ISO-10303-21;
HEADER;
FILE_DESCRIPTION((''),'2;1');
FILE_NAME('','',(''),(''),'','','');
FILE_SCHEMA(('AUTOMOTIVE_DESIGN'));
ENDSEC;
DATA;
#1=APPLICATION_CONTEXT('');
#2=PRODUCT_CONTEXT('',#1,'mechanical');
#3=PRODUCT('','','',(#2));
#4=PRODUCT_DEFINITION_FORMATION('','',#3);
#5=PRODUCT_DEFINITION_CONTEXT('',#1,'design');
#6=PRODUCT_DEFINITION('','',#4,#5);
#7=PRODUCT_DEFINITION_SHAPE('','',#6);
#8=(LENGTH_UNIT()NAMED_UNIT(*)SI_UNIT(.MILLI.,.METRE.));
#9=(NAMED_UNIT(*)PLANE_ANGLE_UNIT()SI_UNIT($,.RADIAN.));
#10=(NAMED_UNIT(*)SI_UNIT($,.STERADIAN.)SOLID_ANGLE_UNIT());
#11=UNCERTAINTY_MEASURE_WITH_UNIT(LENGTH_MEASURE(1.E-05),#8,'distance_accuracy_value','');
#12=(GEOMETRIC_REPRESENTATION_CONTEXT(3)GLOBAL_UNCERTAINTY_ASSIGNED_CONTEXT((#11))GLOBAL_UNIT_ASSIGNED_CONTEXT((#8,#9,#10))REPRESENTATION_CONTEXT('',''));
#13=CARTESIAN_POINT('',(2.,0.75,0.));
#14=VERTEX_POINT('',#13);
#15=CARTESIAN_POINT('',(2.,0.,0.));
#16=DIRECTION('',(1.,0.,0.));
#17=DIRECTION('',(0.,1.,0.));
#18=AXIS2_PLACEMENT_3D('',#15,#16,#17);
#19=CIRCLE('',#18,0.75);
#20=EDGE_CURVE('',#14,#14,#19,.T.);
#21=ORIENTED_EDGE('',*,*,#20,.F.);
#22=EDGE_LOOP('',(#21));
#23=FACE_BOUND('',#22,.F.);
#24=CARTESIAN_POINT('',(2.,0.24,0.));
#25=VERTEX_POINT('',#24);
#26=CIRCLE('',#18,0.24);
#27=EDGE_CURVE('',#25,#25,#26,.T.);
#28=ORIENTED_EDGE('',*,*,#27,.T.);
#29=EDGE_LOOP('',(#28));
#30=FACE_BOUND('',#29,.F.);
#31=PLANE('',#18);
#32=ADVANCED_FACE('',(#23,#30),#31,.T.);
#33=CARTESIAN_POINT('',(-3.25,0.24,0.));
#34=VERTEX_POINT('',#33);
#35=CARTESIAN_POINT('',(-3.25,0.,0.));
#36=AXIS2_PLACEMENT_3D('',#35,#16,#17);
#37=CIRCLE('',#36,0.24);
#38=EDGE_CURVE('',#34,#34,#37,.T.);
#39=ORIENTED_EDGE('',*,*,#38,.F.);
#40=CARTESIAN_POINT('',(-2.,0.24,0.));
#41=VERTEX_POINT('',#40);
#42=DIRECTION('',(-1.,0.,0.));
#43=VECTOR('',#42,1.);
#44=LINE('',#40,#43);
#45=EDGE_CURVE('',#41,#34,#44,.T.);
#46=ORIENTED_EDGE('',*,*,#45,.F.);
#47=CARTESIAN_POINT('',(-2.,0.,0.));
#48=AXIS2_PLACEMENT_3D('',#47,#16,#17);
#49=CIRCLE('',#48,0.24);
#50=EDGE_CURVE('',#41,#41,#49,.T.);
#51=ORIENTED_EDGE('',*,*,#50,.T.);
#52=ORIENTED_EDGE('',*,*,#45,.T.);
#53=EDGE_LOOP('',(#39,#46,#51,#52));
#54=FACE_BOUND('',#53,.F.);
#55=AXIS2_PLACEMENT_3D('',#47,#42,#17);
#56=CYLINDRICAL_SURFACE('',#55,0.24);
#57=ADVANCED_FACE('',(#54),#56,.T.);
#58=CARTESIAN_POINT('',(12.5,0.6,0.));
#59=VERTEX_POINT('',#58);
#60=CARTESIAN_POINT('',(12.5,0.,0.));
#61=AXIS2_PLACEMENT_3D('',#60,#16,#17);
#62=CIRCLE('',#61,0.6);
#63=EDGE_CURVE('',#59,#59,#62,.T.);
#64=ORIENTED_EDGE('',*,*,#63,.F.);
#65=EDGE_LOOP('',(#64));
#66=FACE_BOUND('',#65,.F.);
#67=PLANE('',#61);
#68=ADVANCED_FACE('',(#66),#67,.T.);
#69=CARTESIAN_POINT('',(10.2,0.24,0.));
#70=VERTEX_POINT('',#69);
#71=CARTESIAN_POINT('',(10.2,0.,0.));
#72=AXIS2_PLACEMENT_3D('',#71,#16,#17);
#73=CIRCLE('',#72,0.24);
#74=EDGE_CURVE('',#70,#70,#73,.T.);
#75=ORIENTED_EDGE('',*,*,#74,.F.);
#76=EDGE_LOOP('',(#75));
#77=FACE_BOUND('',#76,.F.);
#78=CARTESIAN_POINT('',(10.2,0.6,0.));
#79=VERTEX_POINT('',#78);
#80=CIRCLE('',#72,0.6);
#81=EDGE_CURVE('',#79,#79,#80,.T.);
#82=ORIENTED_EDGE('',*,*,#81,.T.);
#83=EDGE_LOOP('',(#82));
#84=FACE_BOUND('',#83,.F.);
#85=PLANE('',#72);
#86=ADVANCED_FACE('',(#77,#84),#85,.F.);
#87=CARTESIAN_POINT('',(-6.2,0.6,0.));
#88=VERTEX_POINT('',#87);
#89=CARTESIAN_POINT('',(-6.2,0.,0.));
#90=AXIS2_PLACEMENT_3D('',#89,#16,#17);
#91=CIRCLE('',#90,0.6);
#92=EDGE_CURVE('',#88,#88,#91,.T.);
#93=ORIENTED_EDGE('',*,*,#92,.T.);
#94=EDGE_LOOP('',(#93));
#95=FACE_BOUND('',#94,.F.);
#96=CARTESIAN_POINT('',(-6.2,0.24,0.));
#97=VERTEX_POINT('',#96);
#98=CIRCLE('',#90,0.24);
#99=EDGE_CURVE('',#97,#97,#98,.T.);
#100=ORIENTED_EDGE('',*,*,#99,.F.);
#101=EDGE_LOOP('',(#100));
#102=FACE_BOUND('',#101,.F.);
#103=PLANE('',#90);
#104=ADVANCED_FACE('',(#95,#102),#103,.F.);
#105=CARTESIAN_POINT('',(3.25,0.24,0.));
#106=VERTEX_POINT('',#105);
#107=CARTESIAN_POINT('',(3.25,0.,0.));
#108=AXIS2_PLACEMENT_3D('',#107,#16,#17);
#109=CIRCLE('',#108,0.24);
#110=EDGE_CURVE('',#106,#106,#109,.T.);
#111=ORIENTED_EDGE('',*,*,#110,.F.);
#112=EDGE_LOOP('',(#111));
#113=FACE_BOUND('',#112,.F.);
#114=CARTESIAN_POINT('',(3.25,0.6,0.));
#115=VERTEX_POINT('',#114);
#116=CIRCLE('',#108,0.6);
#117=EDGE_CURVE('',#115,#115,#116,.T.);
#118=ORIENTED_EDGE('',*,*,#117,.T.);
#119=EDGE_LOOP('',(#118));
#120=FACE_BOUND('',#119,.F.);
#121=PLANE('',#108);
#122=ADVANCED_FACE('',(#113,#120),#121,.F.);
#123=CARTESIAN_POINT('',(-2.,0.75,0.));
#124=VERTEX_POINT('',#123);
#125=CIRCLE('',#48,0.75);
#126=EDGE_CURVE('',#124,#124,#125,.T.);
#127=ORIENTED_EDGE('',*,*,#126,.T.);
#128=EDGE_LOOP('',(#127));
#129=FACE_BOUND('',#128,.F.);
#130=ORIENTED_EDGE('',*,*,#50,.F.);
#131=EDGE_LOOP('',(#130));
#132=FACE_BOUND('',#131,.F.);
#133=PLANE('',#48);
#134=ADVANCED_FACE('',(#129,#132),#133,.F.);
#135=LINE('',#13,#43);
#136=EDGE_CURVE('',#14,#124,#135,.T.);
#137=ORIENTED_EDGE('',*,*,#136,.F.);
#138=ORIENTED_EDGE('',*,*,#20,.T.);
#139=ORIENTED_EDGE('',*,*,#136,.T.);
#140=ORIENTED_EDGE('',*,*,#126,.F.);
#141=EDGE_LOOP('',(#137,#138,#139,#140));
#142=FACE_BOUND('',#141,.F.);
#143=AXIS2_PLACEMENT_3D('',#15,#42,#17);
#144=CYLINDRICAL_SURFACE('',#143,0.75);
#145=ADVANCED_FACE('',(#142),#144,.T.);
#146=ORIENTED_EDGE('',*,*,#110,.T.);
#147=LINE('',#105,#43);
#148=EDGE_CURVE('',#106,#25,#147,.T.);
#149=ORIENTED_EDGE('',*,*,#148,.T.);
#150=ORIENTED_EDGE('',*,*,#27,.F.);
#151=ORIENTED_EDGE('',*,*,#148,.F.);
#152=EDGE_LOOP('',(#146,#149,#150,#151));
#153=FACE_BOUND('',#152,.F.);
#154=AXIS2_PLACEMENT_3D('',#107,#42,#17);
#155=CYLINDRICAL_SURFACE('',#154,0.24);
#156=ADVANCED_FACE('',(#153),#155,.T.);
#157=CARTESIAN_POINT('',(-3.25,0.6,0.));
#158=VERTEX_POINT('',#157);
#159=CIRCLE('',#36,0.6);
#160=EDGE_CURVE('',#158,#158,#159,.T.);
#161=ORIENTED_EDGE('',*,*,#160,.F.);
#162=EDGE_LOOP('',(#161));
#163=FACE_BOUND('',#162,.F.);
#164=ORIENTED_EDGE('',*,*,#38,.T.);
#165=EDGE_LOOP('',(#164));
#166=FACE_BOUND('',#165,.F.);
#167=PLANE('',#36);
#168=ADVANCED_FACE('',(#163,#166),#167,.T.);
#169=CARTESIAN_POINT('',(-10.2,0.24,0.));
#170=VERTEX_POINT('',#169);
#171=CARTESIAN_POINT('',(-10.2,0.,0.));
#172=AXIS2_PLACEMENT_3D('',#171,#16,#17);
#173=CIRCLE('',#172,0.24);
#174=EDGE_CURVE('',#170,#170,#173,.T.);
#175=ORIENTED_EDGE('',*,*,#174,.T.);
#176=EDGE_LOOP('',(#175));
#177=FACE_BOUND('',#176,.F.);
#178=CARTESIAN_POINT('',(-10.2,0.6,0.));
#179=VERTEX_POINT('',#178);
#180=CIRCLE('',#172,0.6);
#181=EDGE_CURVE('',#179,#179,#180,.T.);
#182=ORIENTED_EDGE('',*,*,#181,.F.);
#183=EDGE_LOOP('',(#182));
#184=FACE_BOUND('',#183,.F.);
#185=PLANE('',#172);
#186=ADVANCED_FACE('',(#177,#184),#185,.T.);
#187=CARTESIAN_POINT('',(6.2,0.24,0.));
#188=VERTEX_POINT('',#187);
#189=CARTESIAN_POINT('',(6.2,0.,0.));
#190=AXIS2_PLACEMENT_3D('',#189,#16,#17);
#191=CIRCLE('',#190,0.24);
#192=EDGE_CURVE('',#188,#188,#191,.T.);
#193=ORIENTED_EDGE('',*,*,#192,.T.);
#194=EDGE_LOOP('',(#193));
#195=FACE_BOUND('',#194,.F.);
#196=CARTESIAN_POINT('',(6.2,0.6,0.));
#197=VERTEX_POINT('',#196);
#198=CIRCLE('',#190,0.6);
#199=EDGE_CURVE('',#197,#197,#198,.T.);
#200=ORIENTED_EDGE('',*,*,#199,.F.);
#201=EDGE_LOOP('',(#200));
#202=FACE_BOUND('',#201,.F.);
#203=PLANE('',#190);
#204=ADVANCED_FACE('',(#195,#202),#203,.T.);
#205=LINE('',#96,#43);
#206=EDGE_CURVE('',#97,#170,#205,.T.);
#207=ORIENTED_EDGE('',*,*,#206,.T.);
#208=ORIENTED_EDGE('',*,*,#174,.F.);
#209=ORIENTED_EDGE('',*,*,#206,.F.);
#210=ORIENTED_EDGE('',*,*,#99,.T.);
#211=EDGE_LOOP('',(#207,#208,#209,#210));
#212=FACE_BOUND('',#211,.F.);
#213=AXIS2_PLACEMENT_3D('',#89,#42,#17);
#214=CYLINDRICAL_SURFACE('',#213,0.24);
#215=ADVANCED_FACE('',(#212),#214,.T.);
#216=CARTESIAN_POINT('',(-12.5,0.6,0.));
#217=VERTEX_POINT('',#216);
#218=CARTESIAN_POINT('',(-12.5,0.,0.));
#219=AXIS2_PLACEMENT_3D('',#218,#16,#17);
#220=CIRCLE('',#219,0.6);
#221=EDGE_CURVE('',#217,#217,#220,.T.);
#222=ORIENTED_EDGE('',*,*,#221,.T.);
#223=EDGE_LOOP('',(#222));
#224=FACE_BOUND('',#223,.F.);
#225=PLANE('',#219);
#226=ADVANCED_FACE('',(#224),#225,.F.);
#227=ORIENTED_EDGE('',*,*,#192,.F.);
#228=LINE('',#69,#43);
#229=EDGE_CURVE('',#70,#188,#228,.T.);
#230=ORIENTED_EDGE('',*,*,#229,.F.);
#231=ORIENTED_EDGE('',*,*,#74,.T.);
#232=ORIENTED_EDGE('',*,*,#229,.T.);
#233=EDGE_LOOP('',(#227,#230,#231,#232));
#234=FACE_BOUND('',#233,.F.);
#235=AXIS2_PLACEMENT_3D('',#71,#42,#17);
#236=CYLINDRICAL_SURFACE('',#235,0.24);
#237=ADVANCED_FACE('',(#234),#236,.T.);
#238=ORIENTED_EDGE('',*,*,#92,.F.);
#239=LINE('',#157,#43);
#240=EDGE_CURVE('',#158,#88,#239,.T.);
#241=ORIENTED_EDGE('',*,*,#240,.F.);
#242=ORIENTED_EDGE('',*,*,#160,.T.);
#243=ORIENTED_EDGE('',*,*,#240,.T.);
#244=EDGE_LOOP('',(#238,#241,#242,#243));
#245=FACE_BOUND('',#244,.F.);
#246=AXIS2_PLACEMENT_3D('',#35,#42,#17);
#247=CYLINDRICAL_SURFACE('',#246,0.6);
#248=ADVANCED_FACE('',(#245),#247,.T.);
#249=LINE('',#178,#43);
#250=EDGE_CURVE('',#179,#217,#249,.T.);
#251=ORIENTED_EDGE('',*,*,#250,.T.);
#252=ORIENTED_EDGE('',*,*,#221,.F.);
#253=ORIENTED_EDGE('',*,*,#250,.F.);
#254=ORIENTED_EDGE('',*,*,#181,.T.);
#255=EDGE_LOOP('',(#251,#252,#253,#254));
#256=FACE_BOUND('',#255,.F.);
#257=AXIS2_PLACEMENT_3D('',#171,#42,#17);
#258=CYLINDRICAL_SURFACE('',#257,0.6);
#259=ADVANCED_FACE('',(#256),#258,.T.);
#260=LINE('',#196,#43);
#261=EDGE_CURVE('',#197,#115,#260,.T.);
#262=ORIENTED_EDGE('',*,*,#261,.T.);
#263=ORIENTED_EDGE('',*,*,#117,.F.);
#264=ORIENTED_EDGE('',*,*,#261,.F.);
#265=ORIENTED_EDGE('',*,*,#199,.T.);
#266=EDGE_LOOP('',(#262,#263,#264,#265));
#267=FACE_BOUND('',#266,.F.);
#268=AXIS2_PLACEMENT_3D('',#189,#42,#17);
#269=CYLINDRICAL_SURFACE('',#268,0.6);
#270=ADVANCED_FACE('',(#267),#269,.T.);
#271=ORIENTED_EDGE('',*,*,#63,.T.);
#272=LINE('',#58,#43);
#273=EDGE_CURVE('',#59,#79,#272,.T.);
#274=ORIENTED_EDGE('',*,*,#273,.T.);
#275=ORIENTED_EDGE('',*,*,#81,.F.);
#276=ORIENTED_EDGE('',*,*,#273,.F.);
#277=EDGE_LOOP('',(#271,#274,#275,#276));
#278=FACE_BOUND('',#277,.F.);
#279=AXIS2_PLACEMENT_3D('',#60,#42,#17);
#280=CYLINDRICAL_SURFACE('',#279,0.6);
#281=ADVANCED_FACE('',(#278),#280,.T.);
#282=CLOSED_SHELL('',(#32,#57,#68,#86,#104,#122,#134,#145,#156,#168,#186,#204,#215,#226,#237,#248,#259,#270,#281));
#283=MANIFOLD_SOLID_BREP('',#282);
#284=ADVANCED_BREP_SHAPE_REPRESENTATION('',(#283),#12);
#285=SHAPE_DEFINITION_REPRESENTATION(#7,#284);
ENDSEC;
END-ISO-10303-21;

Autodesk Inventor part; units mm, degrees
ref_plane "YZ Plane" through (0, 0, 0) normal (1, 0, 0) x (0, 1, 0)
ref_plane "XZ Plane" through (0, 0, 0) normal (0, 1, 0) x (-1, 0, 0)
ref_plane "XY Plane" through (0, 0, 0) normal (0, 0, 1) x (1, 0, 0)
sketch "Sketch1" plane through (0, 0, 0) normal (0, 0, 1) x (1, 0, 0)
  line L0 (-12.5, 0) -> (-10.2, 0)
  line L1 (-10.2, 0) -> (-10.2, 0.6)
  line L2 (-10.2, 0.6) -> (-12.5, 0.6)
  line L3 (-12.5, 0.6) -> (-12.5, 0)
  line L4 (-10.2, 0) -> (-6.2, 0)
  line L5 (-6.2, 0) -> (-6.2, 0.24)
  line L6 (-6.2, 0.24) -> (-10.2, 0.24)
  line L7 (-10.2, 0.24) -> (-10.2, 0)
  line L8 (-6.2, 0) -> (-3.25, 0)
  line L9 (-3.25, 0) -> (-3.25, 0.6)
  line L10 (-3.25, 0.6) -> (-6.2, 0.6)
  line L11 (-6.2, 0.6) -> (-6.2, 0)
  line L12 (-3.25, 0) -> (-2, 0)
  line L13 (-2, 0) -> (-2, 0.24)
  line L14 (-2, 0.24) -> (-3.25, 0.24)
  line L15 (-3.25, 0.24) -> (-3.25, 0)
  line L16 (-2, 0) -> (2, 0)
  line L17 (2, 0) -> (2, 0.75)
  line L18 (2, 0.75) -> (-2, 0.75)
  line L19 (-2, 0.75) -> (-2, 0)
  line L20 (2, 0) -> (3.25, 0)
  line L21 (3.25, 0) -> (3.25, 0.24)
  line L22 (3.25, 0.24) -> (2, 0.24)
  line L23 (2, 0.24) -> (2, 0)
  line L24 (3.25, 0) -> (6.2, 0)
  line L25 (6.2, 0) -> (6.2, 0.6)
  line L26 (6.2, 0.6) -> (3.25, 0.6)
  line L27 (3.25, 0.6) -> (3.25, 0)
  line L28 (6.2, 0) -> (10.2, 0)
  line L29 (10.2, 0) -> (10.2, 0.24)
  line L30 (10.2, 0.24) -> (6.2, 0.24)
  line L31 (6.2, 0.24) -> (6.2, 0)
  line L32 (10.2, 0) -> (12.5, 0)
  line L33 (12.5, 0) -> (12.5, 0.6)
  line L34 (12.5, 0.6) -> (10.2, 0.6)
  line L35 (10.2, 0.6) -> (10.2, 0)
  point P0 (0, 0)
  point P1 (0, 0)
  dimension "d0" = 2.3
  dimension "d1" = 6.3
  dimension "d2" = 9.25
  dimension "d3" = 10.5
  dimension "d8" = 25
  dimension "d9" = 0.48
  dimension "d10" = 1.2
  dimension "d11" = 1.5
revolve "Revolution1" add sketch "Sketch1" angle 360 about axis through (-6.2, 0, 0) along (1, 0, 0)
properties part number "402-03" material "Steel, Mild"
